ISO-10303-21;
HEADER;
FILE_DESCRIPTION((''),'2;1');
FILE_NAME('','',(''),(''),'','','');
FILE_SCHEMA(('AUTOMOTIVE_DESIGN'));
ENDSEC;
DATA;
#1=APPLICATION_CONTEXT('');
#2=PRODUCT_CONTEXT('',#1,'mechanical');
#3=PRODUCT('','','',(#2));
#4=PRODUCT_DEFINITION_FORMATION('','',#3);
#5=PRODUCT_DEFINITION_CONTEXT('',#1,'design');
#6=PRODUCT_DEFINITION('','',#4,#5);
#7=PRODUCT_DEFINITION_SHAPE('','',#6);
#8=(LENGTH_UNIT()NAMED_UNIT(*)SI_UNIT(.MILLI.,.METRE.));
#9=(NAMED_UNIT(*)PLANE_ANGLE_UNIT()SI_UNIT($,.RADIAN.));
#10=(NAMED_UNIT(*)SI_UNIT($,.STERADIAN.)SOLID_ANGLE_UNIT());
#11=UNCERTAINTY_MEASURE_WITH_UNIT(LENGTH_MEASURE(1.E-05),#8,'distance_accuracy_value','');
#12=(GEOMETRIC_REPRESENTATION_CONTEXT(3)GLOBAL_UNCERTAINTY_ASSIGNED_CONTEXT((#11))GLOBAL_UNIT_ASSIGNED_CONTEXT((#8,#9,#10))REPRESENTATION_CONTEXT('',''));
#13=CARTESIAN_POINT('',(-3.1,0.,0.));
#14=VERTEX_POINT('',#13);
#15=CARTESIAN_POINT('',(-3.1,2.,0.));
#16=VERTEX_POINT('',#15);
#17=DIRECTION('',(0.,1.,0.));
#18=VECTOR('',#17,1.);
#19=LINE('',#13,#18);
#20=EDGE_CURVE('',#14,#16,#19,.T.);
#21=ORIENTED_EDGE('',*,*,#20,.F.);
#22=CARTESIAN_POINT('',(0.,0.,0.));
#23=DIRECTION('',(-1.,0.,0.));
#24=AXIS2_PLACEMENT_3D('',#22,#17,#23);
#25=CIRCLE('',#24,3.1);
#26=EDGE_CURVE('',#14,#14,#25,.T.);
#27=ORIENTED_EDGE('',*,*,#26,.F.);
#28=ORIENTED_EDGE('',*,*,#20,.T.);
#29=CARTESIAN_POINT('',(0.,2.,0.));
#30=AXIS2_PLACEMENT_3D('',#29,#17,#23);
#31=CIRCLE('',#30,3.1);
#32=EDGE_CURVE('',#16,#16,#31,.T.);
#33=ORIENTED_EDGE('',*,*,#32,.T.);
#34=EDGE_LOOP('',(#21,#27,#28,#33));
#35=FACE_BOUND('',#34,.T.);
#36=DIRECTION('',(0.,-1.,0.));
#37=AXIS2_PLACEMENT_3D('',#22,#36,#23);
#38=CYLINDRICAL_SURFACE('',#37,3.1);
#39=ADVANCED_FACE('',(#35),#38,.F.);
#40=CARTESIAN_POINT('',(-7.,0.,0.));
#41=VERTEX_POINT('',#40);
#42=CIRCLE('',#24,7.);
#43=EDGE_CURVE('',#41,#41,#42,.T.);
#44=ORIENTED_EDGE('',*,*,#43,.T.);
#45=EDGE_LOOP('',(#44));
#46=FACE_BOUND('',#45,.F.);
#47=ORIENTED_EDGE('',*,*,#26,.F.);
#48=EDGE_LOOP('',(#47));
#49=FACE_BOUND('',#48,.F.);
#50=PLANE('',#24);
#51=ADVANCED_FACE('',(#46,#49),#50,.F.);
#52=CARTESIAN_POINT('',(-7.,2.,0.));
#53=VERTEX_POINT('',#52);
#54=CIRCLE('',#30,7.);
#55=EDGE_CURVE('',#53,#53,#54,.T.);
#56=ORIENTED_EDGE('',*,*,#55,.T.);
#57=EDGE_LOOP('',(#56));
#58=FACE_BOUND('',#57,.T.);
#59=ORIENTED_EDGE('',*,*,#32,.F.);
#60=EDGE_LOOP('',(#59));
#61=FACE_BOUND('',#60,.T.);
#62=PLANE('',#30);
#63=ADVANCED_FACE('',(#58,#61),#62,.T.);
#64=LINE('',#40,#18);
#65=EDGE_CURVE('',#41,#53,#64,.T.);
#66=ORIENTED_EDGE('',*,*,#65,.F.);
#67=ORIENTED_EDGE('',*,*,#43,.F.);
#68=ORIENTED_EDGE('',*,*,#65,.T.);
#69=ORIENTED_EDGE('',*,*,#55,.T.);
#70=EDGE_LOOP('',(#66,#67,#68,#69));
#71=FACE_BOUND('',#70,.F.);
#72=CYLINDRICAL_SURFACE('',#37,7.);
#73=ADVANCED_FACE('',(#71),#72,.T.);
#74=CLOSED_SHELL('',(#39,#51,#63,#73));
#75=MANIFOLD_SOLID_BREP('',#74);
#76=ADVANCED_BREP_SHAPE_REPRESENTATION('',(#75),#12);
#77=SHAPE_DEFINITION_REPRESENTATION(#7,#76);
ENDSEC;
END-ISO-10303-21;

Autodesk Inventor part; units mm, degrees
ref_plane "YZ Plane" through (0, 0, 0) normal (1, 0, 0) x (0, 1, 0)
ref_plane "XZ Plane" through (0, 0, 0) normal (0, 1, 0) x (-1, 0, 0)
ref_plane "XY Plane" through (0, 0, 0) normal (0, 0, 1) x (1, 0, 0)
sketch "スケッチ1" plane through (0, 0, 0) normal (0, 1, 0) x (-1, 0, 0)
  circle A0 centre (0, 0) radius 3.1
  circle A1 centre (0, 0) radius 7
  dimension "d0" = 6.2
  dimension "d1" = 14
extrude "押し出し1" add sketch "スケッチ1" along normal blind 2
properties part number "ワッシャー6.2,14.2t" material "アセタール樹脂、白"
